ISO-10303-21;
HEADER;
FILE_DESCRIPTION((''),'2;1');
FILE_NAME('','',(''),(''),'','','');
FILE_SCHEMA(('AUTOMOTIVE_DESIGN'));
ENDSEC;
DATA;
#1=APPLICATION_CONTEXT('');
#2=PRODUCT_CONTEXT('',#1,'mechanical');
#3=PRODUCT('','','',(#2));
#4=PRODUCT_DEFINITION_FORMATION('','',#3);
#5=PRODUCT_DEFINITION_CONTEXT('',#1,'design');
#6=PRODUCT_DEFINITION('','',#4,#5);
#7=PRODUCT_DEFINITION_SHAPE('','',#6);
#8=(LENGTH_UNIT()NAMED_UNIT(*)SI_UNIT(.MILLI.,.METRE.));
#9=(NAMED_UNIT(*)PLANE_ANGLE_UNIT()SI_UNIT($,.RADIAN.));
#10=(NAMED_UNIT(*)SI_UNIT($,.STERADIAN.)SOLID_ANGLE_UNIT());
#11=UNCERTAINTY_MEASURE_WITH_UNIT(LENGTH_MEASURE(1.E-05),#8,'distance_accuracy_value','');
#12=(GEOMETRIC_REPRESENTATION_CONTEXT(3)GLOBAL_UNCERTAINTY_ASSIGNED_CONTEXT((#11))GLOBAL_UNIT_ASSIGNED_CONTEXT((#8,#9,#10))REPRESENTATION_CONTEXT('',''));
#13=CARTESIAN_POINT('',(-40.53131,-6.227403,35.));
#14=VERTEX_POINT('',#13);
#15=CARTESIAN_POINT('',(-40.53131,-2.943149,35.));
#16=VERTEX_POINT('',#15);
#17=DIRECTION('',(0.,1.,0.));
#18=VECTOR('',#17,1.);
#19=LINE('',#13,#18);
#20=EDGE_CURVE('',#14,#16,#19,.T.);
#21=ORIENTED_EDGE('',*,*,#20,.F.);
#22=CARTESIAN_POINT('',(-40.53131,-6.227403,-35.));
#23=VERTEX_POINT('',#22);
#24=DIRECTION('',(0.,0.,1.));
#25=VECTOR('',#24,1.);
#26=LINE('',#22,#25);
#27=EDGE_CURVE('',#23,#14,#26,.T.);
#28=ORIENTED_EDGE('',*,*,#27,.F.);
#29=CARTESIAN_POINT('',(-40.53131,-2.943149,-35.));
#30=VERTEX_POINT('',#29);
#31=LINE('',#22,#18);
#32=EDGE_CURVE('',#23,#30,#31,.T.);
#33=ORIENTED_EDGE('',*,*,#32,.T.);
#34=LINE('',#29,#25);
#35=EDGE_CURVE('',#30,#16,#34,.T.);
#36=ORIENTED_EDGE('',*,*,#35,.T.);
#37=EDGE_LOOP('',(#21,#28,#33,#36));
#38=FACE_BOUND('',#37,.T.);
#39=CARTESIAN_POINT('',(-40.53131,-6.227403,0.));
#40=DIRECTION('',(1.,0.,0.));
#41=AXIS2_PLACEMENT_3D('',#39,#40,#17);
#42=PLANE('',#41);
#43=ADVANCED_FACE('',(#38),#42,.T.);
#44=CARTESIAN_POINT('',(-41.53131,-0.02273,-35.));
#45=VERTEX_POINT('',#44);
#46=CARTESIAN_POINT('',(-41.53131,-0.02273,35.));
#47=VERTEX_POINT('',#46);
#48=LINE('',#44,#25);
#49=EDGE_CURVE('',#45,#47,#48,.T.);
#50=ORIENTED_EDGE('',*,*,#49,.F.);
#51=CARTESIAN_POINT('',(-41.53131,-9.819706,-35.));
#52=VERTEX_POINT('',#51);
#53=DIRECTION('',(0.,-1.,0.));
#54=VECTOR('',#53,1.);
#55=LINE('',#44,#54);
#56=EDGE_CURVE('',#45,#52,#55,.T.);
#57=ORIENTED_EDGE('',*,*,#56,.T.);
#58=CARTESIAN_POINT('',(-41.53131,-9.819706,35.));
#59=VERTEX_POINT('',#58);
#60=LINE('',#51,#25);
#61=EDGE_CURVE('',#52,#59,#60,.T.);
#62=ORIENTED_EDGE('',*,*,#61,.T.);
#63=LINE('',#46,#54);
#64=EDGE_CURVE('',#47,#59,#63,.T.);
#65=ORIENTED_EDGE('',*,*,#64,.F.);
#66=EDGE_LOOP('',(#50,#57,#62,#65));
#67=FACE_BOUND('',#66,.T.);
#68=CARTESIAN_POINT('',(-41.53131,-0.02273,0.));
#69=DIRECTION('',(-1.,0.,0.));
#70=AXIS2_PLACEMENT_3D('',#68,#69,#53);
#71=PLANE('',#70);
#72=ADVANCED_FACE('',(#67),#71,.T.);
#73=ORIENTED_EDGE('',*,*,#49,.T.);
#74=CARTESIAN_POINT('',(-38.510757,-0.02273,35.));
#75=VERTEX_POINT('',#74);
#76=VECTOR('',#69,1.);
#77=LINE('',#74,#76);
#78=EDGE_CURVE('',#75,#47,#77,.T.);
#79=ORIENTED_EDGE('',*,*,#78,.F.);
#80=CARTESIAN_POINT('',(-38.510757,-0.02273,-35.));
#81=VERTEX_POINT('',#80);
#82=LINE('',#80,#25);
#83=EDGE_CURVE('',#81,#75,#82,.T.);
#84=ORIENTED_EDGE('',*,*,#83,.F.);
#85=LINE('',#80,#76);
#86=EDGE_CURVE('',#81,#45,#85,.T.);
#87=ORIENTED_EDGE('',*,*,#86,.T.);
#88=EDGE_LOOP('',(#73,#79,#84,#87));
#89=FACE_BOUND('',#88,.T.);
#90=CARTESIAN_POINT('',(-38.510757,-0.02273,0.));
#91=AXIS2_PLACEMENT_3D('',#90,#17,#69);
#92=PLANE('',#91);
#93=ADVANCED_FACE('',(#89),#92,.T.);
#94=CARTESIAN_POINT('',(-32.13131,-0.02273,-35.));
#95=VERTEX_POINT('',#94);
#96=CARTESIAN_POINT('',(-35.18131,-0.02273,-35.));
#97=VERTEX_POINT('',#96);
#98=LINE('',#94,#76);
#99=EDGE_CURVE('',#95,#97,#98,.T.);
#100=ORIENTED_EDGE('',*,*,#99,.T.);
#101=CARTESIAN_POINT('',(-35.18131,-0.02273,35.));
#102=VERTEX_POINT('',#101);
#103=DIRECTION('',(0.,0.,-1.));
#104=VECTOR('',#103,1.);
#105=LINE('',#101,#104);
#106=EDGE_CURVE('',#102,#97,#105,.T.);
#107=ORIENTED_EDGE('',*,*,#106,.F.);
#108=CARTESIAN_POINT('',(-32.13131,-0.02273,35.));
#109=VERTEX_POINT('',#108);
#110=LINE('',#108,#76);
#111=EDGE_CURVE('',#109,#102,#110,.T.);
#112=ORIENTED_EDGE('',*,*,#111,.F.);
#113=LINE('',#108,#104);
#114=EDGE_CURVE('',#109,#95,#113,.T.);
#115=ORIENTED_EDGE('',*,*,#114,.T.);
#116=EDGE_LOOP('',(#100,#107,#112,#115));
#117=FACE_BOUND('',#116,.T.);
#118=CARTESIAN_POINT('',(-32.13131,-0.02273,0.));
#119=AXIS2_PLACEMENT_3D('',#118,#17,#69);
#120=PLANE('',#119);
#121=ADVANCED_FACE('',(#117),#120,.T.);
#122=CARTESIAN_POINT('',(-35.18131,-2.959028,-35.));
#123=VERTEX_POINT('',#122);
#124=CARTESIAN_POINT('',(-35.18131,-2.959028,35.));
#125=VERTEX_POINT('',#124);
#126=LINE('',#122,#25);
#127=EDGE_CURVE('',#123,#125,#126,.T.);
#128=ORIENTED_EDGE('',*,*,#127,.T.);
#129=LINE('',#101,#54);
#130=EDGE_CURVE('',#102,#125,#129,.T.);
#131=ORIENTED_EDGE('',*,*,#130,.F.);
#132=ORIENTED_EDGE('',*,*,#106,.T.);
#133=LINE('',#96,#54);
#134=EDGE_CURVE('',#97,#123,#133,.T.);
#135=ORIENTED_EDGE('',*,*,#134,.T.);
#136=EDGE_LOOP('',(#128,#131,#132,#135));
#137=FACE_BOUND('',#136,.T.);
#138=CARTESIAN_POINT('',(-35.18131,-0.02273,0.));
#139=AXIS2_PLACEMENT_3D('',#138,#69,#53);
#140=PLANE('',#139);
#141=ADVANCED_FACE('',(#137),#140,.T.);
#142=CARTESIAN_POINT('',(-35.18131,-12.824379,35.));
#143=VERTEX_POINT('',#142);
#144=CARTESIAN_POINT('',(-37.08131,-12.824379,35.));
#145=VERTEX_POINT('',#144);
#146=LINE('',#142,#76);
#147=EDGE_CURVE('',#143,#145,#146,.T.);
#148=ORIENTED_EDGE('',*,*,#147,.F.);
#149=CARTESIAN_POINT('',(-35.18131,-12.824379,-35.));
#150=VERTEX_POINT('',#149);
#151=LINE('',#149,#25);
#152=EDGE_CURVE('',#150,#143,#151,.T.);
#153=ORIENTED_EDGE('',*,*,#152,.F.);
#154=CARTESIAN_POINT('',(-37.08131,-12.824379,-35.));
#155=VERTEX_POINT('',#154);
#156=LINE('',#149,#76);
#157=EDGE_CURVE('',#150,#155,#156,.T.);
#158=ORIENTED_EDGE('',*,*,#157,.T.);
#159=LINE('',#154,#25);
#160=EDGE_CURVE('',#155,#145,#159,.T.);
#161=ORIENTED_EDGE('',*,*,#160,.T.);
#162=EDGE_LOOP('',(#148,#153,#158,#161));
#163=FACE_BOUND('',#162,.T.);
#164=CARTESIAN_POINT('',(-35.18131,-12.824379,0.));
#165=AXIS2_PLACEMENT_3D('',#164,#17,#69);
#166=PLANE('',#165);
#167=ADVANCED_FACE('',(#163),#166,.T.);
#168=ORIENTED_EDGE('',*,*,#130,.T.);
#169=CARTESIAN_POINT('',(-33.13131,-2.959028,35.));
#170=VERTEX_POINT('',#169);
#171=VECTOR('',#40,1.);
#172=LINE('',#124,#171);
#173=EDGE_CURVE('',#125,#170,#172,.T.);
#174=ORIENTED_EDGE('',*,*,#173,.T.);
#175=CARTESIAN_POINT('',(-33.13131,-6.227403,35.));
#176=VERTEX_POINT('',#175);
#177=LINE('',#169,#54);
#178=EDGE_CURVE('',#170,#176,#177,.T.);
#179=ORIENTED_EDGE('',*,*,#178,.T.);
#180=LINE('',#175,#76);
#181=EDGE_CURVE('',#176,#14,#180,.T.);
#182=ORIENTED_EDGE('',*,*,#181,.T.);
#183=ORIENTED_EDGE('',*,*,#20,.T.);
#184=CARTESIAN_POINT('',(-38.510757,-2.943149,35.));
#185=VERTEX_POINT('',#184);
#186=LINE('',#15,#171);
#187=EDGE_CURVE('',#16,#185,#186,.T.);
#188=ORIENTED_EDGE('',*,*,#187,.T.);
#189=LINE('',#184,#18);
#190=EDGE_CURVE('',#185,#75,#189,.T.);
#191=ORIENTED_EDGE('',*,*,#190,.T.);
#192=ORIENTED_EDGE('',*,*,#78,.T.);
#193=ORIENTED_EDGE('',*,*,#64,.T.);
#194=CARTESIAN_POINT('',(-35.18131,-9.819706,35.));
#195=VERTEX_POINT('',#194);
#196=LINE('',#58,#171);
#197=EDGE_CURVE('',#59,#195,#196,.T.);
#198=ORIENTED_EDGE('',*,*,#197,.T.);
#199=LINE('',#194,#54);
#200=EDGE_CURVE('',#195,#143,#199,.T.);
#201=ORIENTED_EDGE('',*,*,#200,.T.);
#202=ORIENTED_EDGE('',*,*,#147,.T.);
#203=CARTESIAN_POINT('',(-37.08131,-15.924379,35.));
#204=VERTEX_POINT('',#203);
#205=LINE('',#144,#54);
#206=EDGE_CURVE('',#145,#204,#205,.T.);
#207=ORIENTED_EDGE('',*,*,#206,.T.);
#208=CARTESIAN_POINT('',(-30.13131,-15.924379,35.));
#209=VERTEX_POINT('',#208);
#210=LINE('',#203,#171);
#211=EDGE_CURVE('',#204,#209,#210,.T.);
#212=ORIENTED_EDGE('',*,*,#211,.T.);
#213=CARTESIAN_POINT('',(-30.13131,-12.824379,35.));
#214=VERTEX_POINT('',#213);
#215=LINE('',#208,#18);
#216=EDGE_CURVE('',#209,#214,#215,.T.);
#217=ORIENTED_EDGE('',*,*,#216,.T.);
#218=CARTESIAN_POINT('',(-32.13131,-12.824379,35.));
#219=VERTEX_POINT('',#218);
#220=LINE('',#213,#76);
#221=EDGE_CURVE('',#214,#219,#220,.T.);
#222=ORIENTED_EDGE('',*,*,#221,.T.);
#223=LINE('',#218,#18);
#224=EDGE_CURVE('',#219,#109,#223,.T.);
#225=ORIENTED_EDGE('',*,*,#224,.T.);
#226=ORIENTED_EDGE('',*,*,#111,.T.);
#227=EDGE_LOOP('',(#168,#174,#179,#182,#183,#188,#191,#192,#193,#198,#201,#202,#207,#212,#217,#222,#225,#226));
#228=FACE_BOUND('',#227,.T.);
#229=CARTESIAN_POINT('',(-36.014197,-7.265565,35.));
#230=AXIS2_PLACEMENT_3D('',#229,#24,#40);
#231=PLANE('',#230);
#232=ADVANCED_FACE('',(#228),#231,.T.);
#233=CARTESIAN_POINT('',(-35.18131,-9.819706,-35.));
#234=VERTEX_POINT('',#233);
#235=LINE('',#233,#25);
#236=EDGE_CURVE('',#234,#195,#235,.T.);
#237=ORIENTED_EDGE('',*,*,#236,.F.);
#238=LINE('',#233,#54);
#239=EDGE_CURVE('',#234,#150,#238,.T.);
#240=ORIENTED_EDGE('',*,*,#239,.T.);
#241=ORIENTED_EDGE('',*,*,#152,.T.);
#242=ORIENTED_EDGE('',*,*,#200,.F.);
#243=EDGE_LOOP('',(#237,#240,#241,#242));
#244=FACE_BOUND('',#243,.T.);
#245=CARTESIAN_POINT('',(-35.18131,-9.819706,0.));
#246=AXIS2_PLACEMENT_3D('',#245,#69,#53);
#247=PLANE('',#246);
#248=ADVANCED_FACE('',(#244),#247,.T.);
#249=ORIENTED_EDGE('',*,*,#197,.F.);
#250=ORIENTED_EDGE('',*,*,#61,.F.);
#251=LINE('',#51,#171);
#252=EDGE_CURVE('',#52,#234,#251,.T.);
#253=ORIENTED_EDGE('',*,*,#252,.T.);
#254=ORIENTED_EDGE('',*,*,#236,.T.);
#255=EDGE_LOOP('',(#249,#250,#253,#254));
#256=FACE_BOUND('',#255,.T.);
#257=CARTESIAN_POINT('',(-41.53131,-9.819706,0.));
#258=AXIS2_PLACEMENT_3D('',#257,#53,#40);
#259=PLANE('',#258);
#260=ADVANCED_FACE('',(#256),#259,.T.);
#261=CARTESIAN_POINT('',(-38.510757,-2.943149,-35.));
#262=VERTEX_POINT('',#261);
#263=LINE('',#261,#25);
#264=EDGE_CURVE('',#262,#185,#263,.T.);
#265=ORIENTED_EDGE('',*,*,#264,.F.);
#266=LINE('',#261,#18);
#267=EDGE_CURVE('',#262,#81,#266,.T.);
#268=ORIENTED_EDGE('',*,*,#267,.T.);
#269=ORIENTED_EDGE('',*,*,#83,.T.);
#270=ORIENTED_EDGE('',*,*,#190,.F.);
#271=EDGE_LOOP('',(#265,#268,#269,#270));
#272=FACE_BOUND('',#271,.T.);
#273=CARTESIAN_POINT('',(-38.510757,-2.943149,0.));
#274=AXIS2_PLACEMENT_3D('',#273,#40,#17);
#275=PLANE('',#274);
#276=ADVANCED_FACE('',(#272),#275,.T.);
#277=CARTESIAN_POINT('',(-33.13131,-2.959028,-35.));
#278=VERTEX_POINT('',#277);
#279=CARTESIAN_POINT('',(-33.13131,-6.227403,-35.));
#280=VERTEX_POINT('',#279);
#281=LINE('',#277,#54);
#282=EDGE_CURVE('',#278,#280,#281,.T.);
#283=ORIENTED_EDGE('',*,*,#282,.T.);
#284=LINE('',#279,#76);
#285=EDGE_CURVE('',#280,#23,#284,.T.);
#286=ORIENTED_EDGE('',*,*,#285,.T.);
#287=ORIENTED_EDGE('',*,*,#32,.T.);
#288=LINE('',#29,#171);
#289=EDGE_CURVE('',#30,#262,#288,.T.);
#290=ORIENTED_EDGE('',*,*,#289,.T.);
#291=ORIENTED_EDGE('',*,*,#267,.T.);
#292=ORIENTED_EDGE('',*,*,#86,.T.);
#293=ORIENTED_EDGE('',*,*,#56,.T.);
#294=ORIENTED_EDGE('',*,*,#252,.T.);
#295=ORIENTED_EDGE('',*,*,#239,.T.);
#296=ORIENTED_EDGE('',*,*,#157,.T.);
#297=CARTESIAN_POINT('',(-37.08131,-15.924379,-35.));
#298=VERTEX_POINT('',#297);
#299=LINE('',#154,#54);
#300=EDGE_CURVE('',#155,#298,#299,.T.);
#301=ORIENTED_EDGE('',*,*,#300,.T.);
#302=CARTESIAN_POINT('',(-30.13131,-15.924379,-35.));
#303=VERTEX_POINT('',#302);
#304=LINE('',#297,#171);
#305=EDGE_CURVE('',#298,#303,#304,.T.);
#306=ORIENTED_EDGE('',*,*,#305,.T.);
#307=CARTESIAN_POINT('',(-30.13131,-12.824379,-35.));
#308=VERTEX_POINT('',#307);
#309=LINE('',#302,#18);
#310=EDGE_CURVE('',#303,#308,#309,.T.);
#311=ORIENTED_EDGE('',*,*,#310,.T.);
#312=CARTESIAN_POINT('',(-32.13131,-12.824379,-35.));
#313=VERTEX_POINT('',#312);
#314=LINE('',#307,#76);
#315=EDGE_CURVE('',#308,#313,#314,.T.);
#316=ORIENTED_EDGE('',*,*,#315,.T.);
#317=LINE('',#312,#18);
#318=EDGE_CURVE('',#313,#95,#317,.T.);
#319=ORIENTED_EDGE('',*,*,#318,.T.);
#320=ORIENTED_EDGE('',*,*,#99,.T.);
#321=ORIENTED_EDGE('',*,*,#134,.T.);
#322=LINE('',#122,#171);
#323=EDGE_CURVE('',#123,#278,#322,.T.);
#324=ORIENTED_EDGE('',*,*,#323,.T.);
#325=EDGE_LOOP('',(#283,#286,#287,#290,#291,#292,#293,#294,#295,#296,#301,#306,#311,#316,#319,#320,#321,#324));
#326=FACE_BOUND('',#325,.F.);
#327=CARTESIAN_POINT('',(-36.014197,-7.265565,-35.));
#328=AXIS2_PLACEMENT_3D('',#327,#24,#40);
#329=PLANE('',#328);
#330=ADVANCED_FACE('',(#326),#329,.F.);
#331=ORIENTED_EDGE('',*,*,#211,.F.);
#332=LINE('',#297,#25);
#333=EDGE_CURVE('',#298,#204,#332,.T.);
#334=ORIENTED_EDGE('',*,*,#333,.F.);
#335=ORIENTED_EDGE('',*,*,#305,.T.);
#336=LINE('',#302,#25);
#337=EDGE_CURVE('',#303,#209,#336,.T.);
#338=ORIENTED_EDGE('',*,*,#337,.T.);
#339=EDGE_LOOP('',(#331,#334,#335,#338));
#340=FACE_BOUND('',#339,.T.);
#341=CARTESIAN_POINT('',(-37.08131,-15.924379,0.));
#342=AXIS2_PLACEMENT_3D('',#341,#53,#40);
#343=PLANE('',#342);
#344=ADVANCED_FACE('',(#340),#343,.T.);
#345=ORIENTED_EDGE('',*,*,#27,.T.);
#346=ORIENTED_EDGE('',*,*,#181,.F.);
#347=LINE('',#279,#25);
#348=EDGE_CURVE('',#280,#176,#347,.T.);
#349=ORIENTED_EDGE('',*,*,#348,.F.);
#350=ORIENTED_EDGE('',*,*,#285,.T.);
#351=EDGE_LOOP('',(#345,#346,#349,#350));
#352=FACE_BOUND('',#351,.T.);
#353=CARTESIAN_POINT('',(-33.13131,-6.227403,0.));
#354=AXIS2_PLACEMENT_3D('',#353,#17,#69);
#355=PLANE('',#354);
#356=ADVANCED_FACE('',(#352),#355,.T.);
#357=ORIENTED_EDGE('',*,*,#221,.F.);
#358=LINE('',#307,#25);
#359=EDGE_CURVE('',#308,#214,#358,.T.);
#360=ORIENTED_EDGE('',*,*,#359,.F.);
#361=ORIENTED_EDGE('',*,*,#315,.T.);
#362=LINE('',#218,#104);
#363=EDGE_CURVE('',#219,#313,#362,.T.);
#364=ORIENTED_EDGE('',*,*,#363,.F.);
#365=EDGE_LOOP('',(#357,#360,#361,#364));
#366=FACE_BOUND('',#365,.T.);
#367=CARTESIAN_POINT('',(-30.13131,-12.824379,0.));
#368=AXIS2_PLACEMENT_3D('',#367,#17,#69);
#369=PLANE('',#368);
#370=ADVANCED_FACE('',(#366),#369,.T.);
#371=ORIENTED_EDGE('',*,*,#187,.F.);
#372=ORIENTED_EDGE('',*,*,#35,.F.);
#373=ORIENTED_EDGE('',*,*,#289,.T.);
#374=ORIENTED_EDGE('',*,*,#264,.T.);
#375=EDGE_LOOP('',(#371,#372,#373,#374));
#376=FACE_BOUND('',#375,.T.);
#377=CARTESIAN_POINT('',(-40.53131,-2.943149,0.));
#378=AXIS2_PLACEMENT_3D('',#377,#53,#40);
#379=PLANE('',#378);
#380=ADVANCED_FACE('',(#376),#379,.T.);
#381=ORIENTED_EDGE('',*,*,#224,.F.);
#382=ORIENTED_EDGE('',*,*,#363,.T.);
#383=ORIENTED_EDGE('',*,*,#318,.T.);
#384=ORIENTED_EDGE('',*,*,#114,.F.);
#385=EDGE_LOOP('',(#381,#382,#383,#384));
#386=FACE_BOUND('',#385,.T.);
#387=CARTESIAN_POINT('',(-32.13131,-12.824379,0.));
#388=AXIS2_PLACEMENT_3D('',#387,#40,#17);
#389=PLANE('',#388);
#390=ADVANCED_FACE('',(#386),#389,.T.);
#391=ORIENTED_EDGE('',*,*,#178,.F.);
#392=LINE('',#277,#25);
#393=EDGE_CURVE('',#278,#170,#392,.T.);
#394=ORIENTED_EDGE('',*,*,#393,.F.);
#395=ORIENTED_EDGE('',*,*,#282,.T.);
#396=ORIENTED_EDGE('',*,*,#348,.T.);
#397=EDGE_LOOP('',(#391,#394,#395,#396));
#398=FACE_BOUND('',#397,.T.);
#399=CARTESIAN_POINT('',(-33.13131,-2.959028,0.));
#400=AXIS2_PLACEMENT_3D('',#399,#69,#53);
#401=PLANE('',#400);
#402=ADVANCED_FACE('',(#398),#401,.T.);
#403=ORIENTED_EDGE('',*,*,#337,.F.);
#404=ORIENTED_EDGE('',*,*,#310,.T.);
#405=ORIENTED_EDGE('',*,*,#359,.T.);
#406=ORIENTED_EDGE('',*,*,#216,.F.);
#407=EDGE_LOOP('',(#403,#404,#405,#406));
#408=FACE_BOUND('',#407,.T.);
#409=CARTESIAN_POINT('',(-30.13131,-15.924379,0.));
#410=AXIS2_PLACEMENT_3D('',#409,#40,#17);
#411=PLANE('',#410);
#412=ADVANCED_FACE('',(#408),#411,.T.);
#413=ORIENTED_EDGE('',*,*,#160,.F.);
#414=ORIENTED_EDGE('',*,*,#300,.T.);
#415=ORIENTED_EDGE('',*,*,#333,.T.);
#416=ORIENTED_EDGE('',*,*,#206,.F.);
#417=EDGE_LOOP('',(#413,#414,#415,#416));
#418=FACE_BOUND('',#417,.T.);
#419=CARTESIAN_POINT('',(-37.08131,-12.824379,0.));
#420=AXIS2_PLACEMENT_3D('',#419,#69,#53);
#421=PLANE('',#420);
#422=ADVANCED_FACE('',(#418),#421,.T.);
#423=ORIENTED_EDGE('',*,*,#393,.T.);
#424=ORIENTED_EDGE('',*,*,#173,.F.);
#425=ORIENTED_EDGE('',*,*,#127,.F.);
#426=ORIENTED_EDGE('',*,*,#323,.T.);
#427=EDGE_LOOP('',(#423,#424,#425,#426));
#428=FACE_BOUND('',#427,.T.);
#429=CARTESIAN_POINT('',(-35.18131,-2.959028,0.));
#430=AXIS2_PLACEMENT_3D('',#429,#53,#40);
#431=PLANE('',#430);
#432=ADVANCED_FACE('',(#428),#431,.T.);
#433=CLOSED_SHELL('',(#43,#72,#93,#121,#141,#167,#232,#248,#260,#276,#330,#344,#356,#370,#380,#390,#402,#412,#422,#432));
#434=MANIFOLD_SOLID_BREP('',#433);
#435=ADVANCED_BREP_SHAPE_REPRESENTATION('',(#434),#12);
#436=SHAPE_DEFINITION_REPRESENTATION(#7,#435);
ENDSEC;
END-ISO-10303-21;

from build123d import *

# Parameters (mm, degrees)
F1_DEPTH = 35


with BuildPart() as f1:
    # F0 (on Top) → F1 (new body, symmetric)
    with BuildSketch(Plane.XY):
        Polygon((-35.18131, -0.02273), (-35.18131, -2.959028), (-33.13131, -2.959028), (-33.13131, -6.227403), (-40.53131, -6.227403), (-40.53131, -2.943149), (-38.510757, -2.943149), (-38.510757, -0.02273), (-41.53131, -0.02273), (-41.53131, -9.819706), (-35.18131, -9.819706), (-35.18131, -12.824379), (-37.08131, -12.824379), (-37.08131, -15.924379), (-30.13131, -15.924379), (-30.13131, -12.824379), (-32.13131, -12.824379), (-32.13131, -9.774379), (-32.13131, -0.02273), align=None)
    extrude(amount=F1_DEPTH, both=True)


solid = f1.part
